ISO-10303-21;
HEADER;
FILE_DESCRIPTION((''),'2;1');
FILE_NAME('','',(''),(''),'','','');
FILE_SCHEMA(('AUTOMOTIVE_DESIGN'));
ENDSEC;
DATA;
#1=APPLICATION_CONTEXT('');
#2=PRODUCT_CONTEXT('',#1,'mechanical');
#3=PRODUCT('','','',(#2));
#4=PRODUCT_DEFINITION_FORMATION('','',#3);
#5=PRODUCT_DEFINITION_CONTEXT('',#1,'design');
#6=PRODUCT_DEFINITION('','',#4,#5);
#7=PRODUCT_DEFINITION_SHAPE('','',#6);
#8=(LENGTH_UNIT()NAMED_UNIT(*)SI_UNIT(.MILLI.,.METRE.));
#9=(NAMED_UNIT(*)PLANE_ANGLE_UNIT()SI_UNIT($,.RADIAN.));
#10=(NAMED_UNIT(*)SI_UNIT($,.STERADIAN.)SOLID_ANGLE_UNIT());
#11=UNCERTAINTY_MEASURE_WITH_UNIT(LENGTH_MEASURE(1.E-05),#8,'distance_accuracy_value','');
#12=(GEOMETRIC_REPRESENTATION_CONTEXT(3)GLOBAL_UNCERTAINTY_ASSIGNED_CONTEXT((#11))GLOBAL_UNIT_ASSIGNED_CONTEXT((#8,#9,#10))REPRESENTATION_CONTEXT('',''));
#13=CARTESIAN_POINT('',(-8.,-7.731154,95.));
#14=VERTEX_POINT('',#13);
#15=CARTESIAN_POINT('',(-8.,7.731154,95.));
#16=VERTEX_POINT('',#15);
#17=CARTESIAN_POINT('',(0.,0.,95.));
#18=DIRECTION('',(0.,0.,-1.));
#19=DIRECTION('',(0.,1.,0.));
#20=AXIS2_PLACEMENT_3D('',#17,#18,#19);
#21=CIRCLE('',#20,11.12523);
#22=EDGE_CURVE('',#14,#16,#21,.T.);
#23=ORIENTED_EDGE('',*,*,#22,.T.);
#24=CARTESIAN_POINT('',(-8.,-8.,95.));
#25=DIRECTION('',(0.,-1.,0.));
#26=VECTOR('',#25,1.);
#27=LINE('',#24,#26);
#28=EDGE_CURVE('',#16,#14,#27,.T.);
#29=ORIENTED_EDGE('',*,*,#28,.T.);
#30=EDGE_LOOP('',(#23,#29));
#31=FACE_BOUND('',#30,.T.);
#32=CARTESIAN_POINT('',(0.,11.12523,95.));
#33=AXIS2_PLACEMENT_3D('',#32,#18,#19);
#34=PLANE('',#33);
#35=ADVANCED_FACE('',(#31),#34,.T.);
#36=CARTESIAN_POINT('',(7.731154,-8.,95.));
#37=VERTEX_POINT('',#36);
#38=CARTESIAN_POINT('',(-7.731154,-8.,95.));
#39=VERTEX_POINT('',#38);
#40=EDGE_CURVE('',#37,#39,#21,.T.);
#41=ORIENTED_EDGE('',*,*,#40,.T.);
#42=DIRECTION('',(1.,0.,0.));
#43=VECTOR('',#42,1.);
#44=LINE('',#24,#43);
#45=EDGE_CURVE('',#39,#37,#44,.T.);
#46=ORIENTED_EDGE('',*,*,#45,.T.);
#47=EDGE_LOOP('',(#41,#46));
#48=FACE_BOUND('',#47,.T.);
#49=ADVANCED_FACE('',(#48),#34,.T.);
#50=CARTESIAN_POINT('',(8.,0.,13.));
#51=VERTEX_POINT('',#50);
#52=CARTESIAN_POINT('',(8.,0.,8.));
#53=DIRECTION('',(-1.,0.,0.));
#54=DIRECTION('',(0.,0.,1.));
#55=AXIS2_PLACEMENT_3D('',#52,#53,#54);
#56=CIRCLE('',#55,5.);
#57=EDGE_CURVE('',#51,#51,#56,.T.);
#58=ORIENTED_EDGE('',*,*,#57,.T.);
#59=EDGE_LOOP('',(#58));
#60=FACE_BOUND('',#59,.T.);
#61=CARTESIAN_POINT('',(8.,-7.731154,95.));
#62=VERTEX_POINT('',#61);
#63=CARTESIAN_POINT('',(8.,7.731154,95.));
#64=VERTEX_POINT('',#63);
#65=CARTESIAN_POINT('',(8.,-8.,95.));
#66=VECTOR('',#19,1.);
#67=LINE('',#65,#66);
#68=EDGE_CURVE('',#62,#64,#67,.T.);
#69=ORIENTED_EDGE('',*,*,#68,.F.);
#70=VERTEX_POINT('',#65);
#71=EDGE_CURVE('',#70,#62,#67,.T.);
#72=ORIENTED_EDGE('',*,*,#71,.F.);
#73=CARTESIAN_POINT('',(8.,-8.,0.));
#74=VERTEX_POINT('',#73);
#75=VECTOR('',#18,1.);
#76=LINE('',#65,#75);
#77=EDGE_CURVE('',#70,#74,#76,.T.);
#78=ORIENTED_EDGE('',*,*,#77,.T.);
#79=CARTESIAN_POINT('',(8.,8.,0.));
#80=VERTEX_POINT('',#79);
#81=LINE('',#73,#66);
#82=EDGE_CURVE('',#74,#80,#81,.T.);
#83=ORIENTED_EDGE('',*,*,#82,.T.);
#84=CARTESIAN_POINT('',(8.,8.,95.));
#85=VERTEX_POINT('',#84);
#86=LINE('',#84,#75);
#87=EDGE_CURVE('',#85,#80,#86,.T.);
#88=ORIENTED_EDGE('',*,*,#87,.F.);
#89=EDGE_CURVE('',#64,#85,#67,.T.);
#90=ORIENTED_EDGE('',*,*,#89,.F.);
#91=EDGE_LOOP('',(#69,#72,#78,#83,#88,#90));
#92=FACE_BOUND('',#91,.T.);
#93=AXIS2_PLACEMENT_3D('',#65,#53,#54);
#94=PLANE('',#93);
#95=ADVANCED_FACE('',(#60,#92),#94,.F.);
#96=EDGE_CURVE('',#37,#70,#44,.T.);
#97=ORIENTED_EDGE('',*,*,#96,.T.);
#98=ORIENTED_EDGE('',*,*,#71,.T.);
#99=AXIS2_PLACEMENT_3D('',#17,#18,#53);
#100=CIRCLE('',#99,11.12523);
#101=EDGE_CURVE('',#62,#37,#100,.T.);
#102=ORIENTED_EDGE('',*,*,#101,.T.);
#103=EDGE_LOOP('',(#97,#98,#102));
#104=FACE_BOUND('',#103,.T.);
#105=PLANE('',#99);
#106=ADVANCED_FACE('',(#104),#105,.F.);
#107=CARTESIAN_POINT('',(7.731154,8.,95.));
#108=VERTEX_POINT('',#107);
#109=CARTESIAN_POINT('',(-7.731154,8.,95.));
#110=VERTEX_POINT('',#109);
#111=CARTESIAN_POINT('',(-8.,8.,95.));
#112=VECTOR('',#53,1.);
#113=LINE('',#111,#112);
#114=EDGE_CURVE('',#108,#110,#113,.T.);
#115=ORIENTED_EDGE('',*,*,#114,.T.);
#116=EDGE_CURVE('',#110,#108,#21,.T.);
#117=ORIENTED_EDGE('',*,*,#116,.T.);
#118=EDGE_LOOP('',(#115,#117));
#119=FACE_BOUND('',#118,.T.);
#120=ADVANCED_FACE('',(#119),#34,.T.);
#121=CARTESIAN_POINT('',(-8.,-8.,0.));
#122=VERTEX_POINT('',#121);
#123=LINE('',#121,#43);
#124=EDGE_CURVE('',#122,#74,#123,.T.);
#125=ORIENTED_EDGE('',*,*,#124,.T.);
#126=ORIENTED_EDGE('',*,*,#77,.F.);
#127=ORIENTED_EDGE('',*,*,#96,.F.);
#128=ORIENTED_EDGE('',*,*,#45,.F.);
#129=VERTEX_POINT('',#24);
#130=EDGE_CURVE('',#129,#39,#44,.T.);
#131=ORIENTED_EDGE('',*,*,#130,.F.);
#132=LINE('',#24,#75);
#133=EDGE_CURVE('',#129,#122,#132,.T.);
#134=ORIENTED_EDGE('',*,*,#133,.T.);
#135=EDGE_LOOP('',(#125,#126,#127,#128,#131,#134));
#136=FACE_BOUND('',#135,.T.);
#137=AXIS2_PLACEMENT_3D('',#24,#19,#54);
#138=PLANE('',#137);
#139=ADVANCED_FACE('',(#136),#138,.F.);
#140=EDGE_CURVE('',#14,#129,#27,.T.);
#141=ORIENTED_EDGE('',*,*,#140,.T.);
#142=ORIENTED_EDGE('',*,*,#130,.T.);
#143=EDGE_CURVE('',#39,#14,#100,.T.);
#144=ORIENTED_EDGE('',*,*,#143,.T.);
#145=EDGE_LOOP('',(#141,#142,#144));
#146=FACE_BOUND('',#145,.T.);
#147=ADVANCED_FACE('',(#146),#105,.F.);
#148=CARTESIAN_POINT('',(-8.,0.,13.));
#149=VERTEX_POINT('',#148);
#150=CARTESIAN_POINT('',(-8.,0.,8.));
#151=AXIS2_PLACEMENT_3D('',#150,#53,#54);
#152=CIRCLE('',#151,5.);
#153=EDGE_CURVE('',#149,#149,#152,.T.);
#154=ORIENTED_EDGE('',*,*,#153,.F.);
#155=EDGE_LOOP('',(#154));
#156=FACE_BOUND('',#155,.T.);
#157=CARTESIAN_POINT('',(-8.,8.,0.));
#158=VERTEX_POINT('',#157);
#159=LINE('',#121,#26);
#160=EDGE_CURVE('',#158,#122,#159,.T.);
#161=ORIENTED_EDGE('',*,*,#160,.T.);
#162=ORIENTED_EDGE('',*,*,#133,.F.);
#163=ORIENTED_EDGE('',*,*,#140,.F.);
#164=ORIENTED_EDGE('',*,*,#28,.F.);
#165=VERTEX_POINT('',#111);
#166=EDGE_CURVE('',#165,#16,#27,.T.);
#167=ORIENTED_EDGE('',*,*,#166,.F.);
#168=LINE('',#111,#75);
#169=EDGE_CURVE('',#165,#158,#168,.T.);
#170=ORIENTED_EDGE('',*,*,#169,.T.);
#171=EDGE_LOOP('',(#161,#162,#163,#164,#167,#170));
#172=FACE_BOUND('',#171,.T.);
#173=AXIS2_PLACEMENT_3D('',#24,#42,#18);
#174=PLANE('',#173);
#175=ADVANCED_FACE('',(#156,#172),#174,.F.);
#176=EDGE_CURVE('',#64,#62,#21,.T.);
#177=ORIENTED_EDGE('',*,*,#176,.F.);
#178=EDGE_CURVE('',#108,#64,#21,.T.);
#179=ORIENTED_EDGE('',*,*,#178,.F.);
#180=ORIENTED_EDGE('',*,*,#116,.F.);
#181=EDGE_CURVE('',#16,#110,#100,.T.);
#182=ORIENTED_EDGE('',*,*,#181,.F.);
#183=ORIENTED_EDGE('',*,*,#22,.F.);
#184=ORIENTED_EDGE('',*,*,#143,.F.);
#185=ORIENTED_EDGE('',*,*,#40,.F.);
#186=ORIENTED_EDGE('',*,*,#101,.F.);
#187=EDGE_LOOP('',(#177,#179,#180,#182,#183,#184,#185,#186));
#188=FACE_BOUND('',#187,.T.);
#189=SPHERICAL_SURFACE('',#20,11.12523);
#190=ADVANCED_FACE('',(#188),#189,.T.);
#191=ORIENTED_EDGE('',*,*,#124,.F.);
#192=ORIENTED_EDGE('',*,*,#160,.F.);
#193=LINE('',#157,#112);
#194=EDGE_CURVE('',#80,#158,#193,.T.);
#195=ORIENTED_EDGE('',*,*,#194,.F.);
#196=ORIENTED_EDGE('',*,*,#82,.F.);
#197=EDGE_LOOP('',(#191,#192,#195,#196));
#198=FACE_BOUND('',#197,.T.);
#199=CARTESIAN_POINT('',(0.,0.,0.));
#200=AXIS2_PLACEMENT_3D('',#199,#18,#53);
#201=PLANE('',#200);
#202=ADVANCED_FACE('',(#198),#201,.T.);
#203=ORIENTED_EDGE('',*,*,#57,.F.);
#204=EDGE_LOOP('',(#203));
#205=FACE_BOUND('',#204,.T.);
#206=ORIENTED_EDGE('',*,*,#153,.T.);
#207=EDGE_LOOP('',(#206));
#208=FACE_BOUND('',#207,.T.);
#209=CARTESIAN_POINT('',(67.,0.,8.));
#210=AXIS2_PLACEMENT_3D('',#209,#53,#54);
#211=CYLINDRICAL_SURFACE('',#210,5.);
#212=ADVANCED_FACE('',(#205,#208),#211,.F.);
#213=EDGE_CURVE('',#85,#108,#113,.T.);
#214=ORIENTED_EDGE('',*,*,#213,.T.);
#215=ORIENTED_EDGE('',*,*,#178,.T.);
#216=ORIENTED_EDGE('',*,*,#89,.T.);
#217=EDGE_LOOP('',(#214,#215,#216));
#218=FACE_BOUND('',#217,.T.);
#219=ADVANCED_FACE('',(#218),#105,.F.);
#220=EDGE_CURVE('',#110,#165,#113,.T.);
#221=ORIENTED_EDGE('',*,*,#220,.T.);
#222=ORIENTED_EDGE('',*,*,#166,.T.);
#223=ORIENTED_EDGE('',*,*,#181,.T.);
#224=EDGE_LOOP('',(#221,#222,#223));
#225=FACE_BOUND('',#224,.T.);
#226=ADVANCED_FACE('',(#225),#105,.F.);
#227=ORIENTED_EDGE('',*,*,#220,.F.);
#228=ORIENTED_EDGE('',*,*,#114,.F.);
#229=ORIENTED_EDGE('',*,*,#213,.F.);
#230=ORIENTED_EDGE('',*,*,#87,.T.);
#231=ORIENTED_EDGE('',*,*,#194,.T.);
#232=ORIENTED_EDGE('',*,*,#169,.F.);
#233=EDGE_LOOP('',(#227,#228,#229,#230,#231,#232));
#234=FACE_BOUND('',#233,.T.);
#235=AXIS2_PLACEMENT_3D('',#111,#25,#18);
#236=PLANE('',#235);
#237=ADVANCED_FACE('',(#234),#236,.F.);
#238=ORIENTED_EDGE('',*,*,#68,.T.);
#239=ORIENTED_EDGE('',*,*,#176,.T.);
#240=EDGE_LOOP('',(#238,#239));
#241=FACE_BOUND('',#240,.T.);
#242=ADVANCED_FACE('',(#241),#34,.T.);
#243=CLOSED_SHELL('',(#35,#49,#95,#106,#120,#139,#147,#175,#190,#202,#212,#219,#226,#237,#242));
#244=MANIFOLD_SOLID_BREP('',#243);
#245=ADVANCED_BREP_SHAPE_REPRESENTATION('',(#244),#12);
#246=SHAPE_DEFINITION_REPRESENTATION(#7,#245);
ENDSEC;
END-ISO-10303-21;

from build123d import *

# Parameters (mm, degrees)
SKETCH1_W           = 16
SKETCH1_H           = 16
BOSS_EXTRUDE1_DEPTH = 95
SKETCH2_R           = 5
CUT_EXTRUDE1_DEPTH  = 75


with BuildPart() as part:
    # Sketch1 → Boss-Extrude1 (new body)
    with BuildSketch(Plane.XY):
        Rectangle(SKETCH1_W, SKETCH1_H)
    extrude(amount=BOSS_EXTRUDE1_DEPTH)

    # Sketch2 → Cut-Extrude1 (cut)
    with BuildSketch(Plane.ZY.offset(8)):
        with Locations((8, 0)):
            Circle(SKETCH2_R)
    extrude(amount=-CUT_EXTRUDE1_DEPTH, mode=Mode.SUBTRACT)

    # Sketch3 → Revolve1 (revolve)
    with BuildSketch(Plane(origin=(0, 0, 0), x_dir=(0, 0, -1), z_dir=(1, 0, 0))):
        with BuildLine():
            Line((-95, 11.12523004), (-95, 0))
            Line((-95, 0), (-106.12523004, 0))
            ThreePointArc((-106.12523004, 0), (-102.866725603, 7.866725603), (-95, 11.12523004))
        make_face()
    revolve(axis=Axis((0, 0, 95), (0, 0, 1)))


solid = part.part
